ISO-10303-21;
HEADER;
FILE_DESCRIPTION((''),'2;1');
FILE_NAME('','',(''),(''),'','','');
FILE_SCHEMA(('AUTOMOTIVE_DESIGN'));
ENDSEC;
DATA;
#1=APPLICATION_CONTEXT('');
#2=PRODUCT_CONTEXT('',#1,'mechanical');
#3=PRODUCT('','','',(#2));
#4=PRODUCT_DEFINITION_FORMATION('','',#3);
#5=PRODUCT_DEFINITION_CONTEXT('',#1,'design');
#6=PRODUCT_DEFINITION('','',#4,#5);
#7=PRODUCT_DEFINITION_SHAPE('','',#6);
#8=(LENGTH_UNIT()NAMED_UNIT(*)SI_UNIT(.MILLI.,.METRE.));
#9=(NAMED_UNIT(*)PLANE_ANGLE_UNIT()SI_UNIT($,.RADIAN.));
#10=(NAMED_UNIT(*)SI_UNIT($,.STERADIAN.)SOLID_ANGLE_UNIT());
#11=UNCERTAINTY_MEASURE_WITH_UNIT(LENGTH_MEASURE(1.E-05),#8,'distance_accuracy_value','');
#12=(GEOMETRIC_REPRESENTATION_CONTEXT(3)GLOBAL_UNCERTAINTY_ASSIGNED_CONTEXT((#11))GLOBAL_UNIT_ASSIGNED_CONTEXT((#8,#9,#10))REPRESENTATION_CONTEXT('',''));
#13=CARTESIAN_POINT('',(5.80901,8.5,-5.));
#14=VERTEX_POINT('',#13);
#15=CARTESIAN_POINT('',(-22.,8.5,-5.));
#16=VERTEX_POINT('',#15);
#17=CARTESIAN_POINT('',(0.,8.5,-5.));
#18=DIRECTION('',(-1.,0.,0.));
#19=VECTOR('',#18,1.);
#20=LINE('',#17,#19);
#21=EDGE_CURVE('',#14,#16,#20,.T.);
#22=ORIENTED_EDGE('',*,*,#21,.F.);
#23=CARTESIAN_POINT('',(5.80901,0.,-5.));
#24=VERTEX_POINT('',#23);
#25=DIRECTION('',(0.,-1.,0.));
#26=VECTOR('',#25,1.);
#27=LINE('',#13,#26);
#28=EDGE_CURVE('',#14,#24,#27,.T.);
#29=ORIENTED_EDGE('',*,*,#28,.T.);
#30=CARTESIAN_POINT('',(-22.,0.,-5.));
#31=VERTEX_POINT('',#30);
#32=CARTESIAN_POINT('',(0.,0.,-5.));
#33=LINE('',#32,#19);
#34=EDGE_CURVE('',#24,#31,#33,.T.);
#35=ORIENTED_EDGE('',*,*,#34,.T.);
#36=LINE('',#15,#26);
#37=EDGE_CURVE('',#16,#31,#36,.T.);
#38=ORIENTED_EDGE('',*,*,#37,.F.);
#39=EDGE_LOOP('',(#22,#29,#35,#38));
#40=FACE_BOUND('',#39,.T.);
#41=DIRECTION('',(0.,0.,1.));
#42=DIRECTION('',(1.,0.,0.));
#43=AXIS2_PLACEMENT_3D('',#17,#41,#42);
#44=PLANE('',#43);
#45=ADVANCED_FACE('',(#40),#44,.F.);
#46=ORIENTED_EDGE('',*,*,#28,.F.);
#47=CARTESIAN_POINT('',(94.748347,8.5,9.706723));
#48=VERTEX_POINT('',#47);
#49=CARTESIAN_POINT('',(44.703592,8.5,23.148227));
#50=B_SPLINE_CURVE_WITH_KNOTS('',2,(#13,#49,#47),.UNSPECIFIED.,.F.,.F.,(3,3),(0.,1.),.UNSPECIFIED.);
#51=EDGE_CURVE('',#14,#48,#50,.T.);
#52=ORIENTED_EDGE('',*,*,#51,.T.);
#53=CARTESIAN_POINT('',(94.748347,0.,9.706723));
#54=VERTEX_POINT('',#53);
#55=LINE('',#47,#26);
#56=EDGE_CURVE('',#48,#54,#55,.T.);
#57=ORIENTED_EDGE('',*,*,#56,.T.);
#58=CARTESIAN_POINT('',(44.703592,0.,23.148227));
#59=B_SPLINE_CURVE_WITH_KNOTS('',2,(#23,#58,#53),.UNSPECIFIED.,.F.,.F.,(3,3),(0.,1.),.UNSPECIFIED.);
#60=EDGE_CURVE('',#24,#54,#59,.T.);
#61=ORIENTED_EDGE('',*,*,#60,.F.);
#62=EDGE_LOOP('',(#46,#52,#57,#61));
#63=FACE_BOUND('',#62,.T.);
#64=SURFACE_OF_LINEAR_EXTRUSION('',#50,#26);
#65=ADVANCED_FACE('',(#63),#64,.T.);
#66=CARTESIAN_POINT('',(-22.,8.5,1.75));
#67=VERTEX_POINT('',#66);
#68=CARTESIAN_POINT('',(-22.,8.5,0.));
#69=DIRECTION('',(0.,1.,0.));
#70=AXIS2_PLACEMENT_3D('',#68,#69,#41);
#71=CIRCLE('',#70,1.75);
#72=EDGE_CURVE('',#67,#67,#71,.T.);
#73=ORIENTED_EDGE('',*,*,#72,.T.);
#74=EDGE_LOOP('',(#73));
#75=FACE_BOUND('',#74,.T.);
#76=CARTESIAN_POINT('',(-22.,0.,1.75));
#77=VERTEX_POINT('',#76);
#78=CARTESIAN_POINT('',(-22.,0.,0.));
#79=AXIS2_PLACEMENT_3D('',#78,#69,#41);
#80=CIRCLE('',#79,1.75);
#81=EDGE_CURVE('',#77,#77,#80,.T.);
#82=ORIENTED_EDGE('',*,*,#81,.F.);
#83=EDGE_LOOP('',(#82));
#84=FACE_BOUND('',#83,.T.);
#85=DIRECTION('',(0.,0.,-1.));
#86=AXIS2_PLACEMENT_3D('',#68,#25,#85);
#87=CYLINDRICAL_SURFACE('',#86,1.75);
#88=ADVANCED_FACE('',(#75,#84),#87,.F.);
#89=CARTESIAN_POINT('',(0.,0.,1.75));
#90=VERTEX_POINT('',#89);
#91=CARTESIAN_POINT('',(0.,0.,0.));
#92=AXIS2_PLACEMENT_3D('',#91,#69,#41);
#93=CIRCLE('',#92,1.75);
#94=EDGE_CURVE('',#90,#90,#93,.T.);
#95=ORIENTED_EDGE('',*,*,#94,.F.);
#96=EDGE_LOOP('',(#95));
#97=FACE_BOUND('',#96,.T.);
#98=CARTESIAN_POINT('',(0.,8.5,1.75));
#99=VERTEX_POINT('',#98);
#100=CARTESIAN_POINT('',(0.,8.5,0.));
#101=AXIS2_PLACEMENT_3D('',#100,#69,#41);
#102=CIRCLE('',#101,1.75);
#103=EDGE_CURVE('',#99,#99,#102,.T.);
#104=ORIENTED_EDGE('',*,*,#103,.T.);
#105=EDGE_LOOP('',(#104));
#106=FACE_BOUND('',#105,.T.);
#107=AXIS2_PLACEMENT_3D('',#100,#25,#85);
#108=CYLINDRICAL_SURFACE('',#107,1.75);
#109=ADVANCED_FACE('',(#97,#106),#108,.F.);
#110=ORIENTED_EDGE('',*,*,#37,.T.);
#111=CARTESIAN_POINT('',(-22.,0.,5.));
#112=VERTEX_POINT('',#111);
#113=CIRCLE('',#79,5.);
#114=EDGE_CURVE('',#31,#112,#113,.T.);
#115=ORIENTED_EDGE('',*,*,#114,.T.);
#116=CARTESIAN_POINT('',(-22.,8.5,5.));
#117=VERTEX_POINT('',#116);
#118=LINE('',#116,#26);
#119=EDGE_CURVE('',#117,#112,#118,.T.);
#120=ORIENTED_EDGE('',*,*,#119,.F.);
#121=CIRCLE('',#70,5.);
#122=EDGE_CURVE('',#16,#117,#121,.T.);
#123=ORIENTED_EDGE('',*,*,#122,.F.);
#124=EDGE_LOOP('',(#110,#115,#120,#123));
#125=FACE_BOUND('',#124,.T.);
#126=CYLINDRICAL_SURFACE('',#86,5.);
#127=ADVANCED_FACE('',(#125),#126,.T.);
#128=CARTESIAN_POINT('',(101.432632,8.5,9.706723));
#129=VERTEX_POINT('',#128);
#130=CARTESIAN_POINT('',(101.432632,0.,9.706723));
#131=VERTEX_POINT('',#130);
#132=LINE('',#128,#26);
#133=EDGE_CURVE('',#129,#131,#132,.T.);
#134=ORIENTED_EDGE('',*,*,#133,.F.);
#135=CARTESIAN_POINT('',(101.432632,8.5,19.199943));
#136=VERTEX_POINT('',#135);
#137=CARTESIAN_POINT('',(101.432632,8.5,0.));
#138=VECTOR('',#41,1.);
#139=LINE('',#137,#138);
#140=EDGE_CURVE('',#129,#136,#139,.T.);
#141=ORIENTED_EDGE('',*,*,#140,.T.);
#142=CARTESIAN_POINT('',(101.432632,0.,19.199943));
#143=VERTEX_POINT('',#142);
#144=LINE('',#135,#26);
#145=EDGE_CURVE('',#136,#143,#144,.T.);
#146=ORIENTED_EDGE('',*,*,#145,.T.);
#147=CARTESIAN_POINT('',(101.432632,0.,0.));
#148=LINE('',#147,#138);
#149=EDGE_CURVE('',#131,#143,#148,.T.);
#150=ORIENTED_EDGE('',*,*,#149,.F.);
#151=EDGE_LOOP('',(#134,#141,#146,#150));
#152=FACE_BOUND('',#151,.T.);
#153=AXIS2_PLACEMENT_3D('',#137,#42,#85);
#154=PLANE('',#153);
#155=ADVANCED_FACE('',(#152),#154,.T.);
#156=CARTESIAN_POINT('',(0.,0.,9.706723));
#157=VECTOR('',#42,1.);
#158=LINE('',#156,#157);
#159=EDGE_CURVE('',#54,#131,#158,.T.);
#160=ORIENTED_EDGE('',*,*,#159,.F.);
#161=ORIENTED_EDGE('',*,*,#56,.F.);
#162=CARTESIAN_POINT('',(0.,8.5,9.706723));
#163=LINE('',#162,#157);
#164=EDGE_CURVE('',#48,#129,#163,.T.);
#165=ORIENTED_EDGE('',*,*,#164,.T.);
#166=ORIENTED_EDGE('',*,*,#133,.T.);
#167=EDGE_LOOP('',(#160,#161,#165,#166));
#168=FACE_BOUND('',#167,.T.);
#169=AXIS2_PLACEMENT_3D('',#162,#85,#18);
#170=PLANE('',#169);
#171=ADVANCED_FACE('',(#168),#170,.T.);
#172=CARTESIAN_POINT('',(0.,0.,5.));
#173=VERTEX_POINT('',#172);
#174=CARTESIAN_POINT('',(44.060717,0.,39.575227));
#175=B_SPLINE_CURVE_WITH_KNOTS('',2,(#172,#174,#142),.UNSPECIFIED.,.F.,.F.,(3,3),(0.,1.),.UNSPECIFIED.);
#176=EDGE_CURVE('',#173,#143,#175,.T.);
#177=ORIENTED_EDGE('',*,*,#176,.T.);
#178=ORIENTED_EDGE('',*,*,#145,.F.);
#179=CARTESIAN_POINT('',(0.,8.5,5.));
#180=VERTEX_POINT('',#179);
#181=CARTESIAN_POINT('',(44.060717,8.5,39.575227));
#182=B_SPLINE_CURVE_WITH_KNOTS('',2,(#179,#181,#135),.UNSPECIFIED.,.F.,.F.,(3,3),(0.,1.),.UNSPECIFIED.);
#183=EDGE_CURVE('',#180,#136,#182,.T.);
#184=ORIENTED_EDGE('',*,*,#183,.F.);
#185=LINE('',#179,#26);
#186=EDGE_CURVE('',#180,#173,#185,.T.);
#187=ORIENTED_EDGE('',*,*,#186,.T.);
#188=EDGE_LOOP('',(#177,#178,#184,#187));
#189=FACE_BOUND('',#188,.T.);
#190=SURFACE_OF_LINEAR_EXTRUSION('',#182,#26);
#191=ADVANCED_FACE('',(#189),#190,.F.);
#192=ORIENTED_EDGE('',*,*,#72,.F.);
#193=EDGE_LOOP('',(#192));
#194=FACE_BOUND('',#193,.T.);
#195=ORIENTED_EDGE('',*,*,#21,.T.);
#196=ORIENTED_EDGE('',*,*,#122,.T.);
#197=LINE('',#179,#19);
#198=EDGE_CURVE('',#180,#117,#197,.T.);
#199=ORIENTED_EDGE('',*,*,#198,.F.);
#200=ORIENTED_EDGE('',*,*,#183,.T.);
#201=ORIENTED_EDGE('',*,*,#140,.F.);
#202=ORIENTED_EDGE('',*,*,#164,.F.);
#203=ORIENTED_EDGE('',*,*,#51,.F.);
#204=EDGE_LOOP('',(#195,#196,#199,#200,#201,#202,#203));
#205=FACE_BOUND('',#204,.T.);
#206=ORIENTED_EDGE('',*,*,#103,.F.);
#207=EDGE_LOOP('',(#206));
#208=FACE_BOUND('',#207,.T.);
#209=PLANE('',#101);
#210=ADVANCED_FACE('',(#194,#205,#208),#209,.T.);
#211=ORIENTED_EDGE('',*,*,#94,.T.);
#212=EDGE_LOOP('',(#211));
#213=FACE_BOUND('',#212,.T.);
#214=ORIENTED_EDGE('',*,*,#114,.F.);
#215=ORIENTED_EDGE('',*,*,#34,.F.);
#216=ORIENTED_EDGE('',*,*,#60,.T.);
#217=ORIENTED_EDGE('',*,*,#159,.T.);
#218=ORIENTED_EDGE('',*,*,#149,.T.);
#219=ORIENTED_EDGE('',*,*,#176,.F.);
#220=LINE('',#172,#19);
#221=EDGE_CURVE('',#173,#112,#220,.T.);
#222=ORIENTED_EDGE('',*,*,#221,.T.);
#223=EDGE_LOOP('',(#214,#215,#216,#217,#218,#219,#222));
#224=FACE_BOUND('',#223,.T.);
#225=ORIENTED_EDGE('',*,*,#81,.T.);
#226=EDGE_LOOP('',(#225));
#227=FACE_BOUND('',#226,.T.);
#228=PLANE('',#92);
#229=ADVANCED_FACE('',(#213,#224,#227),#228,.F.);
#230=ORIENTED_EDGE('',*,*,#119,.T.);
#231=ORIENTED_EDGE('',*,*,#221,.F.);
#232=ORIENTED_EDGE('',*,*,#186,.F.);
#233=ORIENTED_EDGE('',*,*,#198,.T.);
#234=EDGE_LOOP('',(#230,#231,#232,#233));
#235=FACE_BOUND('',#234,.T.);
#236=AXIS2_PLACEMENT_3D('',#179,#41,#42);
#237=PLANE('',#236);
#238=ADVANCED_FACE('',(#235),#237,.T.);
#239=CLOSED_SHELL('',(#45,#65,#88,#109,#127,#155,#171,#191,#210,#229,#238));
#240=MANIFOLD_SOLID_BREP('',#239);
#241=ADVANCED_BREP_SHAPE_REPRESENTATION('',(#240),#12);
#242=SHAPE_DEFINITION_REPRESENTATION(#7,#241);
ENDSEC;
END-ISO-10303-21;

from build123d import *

# Parameters (mm, degrees)
CROQUIS2_R              = 1.75
SALIENTE_EXTRUIR1_DEPTH = 8.5


with BuildPart() as part:
    # Croquis2 → Saliente-Extruir1 (new body)
    with BuildSketch(Plane(origin=(0, 0, 0), x_dir=(1, 0, 0), z_dir=(0, 1, 0))):
        with BuildLine():
            Line((-22, -5), (0, -5))
            add(Edge.make_bspline(
                [(0, -5), (44.060717463, -39.575226666), (101.432631882, -19.199942723)],
                knots=[0, 0, 0, 1, 1, 1], degree=2))
            Line((101.432631882, -19.199942723), (101.432631882, -9.706723131))
            Line((101.432631882, -9.706723131), (94.748347294, -9.706723131))
            add(Edge.make_bspline(
                [(5.809010248, 5), (44.703591594, -23.148227448), (94.748347294, -9.706723131)],
                knots=[0, 0, 0, 1, 1, 1], degree=2))
            Line((5.809010248, 5), (0, 5))
            Line((0, 5), (-0.763110027, 5))
            Line((-0.763110027, 5), (-22, 5))
            ThreePointArc((-22, 5), (-27, 0), (-22, -5))
        make_face()
        with Locations(Location((-22, 0, 0), (0, 0, 270))):
            Circle(CROQUIS2_R, mode=Mode.SUBTRACT)
        with Locations(Location((0, 0, 0), (0, 0, 270))):
            Circle(CROQUIS2_R, mode=Mode.SUBTRACT)
    extrude(amount=SALIENTE_EXTRUIR1_DEPTH)


solid = part.part
